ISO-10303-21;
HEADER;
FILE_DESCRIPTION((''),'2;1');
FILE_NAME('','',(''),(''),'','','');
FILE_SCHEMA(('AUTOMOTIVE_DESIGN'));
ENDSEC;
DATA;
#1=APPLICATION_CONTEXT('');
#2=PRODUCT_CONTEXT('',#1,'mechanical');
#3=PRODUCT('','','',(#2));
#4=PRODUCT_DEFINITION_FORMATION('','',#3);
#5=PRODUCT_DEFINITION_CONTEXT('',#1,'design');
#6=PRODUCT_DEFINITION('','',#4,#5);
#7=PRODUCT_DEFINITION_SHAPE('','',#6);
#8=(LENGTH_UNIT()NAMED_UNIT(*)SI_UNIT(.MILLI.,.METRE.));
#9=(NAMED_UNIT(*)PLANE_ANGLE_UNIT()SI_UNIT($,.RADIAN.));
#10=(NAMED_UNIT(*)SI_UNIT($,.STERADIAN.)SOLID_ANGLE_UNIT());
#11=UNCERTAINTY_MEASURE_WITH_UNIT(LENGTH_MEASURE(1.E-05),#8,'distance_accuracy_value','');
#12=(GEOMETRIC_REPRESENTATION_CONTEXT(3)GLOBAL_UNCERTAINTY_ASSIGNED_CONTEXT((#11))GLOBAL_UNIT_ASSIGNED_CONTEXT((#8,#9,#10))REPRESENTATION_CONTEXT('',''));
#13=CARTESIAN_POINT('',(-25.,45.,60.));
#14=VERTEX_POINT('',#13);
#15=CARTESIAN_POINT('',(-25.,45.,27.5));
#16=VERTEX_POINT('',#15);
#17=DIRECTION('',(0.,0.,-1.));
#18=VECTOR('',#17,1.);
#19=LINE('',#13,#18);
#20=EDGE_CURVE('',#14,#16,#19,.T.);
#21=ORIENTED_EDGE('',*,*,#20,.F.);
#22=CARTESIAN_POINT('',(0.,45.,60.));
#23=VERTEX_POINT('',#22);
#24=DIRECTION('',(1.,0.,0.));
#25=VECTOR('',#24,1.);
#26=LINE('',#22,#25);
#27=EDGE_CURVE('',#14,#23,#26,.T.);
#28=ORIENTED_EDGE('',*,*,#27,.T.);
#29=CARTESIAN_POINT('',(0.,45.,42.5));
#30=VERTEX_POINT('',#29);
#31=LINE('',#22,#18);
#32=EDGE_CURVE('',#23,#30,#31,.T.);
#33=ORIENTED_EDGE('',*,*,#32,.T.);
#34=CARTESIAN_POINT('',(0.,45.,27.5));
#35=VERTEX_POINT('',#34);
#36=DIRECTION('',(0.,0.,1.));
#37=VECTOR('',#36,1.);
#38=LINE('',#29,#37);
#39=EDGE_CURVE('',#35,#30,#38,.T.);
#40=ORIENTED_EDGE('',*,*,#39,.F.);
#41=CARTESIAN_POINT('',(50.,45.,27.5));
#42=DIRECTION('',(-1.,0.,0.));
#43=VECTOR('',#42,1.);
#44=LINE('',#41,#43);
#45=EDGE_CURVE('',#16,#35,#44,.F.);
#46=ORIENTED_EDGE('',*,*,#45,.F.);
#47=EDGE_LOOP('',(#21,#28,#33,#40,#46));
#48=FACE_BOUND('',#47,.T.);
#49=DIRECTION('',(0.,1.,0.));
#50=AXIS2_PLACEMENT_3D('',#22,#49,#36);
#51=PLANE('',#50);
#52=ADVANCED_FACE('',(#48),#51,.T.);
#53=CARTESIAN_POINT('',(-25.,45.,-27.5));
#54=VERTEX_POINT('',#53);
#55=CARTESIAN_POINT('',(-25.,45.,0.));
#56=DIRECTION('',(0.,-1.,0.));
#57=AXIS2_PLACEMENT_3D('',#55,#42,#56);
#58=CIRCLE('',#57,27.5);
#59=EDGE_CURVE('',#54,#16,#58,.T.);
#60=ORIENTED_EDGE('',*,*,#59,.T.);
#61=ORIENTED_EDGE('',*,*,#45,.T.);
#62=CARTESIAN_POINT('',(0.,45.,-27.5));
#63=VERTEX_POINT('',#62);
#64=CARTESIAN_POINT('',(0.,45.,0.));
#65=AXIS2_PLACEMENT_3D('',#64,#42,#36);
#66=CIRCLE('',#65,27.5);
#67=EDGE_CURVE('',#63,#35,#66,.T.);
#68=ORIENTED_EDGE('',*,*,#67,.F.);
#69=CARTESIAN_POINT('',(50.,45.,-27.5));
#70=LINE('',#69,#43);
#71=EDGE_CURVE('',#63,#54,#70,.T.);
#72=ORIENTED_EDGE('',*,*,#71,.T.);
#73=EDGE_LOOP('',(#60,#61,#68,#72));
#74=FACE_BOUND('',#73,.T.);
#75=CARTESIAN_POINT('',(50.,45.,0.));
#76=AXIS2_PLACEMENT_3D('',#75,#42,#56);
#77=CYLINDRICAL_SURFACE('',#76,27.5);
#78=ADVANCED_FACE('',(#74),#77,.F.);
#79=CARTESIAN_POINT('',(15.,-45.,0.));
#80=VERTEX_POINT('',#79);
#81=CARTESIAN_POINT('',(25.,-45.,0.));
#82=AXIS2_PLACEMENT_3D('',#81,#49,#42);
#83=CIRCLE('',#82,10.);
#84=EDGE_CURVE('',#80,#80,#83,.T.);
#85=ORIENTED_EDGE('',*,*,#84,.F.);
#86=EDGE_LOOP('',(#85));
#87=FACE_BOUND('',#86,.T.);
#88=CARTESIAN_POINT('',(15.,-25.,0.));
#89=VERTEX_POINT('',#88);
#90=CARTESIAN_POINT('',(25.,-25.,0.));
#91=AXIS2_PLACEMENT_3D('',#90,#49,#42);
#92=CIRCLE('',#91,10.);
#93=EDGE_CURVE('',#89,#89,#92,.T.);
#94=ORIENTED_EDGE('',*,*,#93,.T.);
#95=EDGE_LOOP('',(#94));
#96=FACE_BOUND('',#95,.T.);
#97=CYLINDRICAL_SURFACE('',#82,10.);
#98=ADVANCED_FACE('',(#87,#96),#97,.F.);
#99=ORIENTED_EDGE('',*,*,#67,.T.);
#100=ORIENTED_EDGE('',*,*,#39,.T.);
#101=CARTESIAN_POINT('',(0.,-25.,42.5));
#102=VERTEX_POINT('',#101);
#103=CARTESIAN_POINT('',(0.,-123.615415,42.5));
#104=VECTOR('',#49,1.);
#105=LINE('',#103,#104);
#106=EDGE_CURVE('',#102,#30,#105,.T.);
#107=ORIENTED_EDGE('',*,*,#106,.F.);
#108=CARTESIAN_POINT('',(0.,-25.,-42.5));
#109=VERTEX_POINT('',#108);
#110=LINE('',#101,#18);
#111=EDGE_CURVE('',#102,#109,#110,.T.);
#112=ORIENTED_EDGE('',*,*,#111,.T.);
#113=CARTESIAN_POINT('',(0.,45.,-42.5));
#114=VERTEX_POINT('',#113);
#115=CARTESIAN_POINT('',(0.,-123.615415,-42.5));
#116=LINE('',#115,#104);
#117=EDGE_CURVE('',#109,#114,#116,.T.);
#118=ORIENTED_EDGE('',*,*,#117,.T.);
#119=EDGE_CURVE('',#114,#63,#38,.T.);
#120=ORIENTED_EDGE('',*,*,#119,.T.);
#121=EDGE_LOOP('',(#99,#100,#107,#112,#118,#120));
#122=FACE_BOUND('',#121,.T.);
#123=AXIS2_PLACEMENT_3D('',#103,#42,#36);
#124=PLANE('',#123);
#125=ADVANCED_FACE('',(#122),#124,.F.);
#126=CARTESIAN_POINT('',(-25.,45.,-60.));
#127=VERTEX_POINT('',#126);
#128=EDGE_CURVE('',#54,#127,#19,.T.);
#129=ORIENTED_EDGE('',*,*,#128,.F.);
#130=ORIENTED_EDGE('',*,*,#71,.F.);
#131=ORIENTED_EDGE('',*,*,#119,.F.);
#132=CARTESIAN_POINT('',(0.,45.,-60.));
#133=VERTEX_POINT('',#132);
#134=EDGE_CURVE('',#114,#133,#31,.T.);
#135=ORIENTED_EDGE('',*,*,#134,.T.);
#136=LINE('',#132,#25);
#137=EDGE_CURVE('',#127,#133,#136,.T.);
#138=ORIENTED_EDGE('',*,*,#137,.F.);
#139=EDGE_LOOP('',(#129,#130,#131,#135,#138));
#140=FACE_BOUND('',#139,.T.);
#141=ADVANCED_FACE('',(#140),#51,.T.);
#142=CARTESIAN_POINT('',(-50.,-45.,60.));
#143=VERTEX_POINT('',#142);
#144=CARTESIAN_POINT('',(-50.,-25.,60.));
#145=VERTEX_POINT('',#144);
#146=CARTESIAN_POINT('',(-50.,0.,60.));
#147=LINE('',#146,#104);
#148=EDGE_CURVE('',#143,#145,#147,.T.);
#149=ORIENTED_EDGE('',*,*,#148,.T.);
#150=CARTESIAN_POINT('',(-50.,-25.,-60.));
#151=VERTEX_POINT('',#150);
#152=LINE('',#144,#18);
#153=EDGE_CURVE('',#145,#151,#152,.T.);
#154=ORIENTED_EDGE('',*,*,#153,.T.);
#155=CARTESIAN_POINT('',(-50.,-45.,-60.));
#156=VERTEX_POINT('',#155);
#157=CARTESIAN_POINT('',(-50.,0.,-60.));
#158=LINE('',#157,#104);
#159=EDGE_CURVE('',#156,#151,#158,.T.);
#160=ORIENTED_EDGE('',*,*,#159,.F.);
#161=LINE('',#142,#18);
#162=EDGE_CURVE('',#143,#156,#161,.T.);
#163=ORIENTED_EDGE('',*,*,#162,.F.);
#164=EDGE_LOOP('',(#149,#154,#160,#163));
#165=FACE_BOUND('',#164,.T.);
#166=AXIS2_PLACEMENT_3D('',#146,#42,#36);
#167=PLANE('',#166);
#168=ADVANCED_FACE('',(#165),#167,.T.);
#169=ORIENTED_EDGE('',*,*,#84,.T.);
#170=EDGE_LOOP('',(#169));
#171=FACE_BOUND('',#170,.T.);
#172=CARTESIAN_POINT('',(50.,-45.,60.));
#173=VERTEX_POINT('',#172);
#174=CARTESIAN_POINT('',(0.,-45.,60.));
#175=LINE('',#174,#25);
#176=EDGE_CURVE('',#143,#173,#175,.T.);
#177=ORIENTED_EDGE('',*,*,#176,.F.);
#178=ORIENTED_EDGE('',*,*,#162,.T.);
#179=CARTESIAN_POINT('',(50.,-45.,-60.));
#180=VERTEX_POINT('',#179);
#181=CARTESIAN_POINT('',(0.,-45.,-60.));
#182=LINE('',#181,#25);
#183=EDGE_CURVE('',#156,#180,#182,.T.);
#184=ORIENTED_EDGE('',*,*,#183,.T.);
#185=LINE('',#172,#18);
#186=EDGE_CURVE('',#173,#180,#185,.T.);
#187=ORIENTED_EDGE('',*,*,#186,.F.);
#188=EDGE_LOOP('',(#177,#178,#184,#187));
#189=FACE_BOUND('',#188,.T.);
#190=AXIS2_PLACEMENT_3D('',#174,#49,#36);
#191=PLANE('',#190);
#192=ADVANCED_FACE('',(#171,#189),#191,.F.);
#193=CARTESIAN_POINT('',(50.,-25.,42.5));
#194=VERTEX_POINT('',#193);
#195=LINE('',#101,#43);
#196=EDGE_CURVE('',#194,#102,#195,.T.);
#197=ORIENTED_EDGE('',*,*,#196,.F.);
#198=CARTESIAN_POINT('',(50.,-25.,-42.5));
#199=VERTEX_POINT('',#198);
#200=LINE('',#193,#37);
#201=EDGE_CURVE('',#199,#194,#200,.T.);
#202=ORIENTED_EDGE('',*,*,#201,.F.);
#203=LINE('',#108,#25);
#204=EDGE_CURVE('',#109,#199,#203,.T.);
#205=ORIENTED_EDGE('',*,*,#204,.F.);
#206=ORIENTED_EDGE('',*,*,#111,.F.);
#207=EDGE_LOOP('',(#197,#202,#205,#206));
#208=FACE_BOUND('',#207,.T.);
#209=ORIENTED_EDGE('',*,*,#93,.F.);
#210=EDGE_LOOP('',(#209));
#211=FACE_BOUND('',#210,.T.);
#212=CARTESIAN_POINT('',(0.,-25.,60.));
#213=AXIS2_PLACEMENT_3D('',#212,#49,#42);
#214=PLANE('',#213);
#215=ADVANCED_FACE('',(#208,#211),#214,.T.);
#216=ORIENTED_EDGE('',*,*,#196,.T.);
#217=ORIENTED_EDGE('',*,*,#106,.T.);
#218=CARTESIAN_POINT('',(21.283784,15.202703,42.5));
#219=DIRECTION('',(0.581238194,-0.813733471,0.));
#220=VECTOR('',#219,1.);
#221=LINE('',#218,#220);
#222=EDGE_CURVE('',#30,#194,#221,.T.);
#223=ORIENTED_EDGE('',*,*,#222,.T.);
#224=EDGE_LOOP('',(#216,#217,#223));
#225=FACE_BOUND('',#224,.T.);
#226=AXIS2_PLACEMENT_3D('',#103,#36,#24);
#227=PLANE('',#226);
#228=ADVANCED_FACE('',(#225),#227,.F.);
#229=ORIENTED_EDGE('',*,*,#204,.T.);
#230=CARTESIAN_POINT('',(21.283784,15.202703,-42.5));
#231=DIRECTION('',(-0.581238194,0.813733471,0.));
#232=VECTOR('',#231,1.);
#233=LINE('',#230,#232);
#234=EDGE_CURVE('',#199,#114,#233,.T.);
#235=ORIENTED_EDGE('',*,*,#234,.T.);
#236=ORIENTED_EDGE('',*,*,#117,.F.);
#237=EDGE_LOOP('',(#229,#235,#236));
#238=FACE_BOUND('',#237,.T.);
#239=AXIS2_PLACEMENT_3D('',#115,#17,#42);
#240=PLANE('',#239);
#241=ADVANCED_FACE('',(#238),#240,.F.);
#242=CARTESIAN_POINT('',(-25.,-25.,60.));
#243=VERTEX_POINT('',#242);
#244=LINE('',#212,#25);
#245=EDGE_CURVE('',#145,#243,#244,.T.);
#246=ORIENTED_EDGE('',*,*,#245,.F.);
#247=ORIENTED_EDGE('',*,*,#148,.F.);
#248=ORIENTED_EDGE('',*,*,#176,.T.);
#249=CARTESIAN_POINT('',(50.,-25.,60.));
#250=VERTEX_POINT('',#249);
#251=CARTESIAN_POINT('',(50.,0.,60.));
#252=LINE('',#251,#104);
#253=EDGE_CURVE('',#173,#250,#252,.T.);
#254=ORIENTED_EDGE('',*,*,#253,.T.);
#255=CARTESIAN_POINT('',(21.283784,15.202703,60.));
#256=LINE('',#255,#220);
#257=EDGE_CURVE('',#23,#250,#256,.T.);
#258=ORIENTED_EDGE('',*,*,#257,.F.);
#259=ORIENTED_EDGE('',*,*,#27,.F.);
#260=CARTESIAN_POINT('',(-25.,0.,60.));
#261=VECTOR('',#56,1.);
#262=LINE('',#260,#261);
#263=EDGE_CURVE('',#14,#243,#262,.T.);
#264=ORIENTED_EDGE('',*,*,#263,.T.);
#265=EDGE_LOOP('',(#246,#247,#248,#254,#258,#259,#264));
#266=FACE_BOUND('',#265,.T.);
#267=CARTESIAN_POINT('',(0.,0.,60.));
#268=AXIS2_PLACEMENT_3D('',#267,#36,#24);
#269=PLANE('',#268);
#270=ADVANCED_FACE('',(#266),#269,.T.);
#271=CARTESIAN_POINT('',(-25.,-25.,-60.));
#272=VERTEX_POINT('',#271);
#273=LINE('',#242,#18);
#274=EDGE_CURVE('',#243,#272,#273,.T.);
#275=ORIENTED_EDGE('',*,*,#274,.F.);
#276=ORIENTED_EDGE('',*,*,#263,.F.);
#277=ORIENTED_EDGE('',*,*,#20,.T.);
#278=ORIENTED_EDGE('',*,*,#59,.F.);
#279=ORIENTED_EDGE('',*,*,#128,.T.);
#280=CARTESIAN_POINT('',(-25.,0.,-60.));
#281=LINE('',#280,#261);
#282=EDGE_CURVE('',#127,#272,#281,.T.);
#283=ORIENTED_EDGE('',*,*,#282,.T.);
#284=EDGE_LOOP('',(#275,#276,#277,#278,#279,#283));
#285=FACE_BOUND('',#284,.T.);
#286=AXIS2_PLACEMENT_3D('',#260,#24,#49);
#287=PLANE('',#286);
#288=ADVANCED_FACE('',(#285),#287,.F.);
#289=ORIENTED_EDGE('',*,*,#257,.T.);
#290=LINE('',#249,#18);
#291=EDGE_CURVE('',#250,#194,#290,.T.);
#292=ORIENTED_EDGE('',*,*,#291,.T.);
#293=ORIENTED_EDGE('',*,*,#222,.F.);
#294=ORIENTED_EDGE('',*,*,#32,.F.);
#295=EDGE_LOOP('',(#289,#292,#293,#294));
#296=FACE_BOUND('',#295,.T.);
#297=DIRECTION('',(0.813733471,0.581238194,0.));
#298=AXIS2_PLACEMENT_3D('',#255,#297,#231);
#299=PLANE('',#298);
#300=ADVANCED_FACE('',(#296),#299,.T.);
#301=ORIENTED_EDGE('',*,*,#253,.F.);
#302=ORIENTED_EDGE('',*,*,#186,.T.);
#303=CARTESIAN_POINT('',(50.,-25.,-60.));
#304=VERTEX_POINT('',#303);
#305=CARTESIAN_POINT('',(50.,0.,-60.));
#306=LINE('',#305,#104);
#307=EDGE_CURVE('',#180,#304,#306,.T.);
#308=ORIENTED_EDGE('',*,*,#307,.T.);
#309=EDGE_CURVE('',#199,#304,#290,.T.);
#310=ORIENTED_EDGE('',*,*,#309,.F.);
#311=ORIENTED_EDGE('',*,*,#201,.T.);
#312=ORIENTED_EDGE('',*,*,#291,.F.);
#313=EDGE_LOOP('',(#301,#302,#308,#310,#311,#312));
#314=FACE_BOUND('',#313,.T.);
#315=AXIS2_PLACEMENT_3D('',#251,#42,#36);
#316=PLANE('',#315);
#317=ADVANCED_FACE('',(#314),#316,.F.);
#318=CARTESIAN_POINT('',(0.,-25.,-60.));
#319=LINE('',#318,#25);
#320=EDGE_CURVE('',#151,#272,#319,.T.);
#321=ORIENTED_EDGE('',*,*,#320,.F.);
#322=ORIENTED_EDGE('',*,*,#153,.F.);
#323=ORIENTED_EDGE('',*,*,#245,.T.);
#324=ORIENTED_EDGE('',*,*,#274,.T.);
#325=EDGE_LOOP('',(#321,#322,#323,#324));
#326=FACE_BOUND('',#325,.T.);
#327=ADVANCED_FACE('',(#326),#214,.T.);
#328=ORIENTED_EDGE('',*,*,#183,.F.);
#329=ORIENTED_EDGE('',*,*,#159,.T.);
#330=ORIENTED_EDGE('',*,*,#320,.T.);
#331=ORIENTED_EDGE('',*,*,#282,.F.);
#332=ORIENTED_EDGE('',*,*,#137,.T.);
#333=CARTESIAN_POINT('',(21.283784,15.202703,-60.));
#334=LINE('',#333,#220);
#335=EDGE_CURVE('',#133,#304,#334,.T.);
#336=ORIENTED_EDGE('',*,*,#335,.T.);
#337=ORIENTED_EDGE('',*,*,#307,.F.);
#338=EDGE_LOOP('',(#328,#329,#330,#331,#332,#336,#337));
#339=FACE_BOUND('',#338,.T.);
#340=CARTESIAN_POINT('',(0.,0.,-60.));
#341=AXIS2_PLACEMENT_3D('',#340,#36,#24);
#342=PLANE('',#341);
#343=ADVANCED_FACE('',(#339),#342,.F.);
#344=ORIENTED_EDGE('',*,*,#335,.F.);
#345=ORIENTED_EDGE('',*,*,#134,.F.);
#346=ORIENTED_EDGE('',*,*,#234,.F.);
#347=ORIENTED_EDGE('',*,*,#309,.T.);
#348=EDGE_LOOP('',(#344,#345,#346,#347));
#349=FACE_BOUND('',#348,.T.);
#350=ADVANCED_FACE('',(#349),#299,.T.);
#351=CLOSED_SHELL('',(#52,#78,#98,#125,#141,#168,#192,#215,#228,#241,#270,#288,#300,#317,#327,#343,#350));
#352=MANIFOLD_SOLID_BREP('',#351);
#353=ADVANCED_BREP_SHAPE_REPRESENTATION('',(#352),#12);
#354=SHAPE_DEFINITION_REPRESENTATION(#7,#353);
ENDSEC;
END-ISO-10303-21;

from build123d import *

# Parameters (mm, degrees)
EXTRUDE_1_DEPTH     = 60
SKETCH_2_W          = 50
SKETCH_2_H          = 85
CUT_EXTRUDE_1_DEPTH = 70
SKETCH_3_R          = 10
CUT_EXTRUDE_2_DEPTH = 105.880884817
SKETCH_4_R          = 27.5
CUT_EXTRUDE_3_DEPTH = 107.066017178


with BuildPart() as part:
    # Эскиз1 → Бобышка-Вытянуть1 (new, symmetric)
    with BuildSketch(Plane.XY):
        Polygon((50, -25), (0, 45), (-25, 45), (-25, -25), (-50, -25), (-50, -45), (50, -45), align=None)
    extrude(amount=EXTRUDE_1_DEPTH, both=True)

    # Эскиз2 → Вырез-Вытянуть1 (cut)
    with BuildSketch(Plane(origin=(0, 45, 0), x_dir=(1, 0, 0), z_dir=(0, 1, 0))):
        with Locations((25, 0)):
            Rectangle(SKETCH_2_W, SKETCH_2_H)
    extrude(amount=-CUT_EXTRUDE_1_DEPTH, mode=Mode.SUBTRACT)

    # Эскиз3 → Вырез-Вытянуть2 (cut, through all)
    with BuildSketch(Plane(origin=(0, -25, 0), x_dir=(1, 0, 0), z_dir=(0, 1, 0))):
        with Locations(Location((25, 0, 0), (0, 0, 180))):
            Circle(SKETCH_3_R)
    extrude(amount=-CUT_EXTRUDE_2_DEPTH, mode=Mode.SUBTRACT)

    # Эскиз4 → Вырез-Вытянуть3 (cut, through all)
    with BuildSketch(Plane.ZY.offset(25)):
        with Locations((0, 45)):
            Circle(SKETCH_4_R)
    extrude(amount=-CUT_EXTRUDE_3_DEPTH, mode=Mode.SUBTRACT)


solid = part.part
